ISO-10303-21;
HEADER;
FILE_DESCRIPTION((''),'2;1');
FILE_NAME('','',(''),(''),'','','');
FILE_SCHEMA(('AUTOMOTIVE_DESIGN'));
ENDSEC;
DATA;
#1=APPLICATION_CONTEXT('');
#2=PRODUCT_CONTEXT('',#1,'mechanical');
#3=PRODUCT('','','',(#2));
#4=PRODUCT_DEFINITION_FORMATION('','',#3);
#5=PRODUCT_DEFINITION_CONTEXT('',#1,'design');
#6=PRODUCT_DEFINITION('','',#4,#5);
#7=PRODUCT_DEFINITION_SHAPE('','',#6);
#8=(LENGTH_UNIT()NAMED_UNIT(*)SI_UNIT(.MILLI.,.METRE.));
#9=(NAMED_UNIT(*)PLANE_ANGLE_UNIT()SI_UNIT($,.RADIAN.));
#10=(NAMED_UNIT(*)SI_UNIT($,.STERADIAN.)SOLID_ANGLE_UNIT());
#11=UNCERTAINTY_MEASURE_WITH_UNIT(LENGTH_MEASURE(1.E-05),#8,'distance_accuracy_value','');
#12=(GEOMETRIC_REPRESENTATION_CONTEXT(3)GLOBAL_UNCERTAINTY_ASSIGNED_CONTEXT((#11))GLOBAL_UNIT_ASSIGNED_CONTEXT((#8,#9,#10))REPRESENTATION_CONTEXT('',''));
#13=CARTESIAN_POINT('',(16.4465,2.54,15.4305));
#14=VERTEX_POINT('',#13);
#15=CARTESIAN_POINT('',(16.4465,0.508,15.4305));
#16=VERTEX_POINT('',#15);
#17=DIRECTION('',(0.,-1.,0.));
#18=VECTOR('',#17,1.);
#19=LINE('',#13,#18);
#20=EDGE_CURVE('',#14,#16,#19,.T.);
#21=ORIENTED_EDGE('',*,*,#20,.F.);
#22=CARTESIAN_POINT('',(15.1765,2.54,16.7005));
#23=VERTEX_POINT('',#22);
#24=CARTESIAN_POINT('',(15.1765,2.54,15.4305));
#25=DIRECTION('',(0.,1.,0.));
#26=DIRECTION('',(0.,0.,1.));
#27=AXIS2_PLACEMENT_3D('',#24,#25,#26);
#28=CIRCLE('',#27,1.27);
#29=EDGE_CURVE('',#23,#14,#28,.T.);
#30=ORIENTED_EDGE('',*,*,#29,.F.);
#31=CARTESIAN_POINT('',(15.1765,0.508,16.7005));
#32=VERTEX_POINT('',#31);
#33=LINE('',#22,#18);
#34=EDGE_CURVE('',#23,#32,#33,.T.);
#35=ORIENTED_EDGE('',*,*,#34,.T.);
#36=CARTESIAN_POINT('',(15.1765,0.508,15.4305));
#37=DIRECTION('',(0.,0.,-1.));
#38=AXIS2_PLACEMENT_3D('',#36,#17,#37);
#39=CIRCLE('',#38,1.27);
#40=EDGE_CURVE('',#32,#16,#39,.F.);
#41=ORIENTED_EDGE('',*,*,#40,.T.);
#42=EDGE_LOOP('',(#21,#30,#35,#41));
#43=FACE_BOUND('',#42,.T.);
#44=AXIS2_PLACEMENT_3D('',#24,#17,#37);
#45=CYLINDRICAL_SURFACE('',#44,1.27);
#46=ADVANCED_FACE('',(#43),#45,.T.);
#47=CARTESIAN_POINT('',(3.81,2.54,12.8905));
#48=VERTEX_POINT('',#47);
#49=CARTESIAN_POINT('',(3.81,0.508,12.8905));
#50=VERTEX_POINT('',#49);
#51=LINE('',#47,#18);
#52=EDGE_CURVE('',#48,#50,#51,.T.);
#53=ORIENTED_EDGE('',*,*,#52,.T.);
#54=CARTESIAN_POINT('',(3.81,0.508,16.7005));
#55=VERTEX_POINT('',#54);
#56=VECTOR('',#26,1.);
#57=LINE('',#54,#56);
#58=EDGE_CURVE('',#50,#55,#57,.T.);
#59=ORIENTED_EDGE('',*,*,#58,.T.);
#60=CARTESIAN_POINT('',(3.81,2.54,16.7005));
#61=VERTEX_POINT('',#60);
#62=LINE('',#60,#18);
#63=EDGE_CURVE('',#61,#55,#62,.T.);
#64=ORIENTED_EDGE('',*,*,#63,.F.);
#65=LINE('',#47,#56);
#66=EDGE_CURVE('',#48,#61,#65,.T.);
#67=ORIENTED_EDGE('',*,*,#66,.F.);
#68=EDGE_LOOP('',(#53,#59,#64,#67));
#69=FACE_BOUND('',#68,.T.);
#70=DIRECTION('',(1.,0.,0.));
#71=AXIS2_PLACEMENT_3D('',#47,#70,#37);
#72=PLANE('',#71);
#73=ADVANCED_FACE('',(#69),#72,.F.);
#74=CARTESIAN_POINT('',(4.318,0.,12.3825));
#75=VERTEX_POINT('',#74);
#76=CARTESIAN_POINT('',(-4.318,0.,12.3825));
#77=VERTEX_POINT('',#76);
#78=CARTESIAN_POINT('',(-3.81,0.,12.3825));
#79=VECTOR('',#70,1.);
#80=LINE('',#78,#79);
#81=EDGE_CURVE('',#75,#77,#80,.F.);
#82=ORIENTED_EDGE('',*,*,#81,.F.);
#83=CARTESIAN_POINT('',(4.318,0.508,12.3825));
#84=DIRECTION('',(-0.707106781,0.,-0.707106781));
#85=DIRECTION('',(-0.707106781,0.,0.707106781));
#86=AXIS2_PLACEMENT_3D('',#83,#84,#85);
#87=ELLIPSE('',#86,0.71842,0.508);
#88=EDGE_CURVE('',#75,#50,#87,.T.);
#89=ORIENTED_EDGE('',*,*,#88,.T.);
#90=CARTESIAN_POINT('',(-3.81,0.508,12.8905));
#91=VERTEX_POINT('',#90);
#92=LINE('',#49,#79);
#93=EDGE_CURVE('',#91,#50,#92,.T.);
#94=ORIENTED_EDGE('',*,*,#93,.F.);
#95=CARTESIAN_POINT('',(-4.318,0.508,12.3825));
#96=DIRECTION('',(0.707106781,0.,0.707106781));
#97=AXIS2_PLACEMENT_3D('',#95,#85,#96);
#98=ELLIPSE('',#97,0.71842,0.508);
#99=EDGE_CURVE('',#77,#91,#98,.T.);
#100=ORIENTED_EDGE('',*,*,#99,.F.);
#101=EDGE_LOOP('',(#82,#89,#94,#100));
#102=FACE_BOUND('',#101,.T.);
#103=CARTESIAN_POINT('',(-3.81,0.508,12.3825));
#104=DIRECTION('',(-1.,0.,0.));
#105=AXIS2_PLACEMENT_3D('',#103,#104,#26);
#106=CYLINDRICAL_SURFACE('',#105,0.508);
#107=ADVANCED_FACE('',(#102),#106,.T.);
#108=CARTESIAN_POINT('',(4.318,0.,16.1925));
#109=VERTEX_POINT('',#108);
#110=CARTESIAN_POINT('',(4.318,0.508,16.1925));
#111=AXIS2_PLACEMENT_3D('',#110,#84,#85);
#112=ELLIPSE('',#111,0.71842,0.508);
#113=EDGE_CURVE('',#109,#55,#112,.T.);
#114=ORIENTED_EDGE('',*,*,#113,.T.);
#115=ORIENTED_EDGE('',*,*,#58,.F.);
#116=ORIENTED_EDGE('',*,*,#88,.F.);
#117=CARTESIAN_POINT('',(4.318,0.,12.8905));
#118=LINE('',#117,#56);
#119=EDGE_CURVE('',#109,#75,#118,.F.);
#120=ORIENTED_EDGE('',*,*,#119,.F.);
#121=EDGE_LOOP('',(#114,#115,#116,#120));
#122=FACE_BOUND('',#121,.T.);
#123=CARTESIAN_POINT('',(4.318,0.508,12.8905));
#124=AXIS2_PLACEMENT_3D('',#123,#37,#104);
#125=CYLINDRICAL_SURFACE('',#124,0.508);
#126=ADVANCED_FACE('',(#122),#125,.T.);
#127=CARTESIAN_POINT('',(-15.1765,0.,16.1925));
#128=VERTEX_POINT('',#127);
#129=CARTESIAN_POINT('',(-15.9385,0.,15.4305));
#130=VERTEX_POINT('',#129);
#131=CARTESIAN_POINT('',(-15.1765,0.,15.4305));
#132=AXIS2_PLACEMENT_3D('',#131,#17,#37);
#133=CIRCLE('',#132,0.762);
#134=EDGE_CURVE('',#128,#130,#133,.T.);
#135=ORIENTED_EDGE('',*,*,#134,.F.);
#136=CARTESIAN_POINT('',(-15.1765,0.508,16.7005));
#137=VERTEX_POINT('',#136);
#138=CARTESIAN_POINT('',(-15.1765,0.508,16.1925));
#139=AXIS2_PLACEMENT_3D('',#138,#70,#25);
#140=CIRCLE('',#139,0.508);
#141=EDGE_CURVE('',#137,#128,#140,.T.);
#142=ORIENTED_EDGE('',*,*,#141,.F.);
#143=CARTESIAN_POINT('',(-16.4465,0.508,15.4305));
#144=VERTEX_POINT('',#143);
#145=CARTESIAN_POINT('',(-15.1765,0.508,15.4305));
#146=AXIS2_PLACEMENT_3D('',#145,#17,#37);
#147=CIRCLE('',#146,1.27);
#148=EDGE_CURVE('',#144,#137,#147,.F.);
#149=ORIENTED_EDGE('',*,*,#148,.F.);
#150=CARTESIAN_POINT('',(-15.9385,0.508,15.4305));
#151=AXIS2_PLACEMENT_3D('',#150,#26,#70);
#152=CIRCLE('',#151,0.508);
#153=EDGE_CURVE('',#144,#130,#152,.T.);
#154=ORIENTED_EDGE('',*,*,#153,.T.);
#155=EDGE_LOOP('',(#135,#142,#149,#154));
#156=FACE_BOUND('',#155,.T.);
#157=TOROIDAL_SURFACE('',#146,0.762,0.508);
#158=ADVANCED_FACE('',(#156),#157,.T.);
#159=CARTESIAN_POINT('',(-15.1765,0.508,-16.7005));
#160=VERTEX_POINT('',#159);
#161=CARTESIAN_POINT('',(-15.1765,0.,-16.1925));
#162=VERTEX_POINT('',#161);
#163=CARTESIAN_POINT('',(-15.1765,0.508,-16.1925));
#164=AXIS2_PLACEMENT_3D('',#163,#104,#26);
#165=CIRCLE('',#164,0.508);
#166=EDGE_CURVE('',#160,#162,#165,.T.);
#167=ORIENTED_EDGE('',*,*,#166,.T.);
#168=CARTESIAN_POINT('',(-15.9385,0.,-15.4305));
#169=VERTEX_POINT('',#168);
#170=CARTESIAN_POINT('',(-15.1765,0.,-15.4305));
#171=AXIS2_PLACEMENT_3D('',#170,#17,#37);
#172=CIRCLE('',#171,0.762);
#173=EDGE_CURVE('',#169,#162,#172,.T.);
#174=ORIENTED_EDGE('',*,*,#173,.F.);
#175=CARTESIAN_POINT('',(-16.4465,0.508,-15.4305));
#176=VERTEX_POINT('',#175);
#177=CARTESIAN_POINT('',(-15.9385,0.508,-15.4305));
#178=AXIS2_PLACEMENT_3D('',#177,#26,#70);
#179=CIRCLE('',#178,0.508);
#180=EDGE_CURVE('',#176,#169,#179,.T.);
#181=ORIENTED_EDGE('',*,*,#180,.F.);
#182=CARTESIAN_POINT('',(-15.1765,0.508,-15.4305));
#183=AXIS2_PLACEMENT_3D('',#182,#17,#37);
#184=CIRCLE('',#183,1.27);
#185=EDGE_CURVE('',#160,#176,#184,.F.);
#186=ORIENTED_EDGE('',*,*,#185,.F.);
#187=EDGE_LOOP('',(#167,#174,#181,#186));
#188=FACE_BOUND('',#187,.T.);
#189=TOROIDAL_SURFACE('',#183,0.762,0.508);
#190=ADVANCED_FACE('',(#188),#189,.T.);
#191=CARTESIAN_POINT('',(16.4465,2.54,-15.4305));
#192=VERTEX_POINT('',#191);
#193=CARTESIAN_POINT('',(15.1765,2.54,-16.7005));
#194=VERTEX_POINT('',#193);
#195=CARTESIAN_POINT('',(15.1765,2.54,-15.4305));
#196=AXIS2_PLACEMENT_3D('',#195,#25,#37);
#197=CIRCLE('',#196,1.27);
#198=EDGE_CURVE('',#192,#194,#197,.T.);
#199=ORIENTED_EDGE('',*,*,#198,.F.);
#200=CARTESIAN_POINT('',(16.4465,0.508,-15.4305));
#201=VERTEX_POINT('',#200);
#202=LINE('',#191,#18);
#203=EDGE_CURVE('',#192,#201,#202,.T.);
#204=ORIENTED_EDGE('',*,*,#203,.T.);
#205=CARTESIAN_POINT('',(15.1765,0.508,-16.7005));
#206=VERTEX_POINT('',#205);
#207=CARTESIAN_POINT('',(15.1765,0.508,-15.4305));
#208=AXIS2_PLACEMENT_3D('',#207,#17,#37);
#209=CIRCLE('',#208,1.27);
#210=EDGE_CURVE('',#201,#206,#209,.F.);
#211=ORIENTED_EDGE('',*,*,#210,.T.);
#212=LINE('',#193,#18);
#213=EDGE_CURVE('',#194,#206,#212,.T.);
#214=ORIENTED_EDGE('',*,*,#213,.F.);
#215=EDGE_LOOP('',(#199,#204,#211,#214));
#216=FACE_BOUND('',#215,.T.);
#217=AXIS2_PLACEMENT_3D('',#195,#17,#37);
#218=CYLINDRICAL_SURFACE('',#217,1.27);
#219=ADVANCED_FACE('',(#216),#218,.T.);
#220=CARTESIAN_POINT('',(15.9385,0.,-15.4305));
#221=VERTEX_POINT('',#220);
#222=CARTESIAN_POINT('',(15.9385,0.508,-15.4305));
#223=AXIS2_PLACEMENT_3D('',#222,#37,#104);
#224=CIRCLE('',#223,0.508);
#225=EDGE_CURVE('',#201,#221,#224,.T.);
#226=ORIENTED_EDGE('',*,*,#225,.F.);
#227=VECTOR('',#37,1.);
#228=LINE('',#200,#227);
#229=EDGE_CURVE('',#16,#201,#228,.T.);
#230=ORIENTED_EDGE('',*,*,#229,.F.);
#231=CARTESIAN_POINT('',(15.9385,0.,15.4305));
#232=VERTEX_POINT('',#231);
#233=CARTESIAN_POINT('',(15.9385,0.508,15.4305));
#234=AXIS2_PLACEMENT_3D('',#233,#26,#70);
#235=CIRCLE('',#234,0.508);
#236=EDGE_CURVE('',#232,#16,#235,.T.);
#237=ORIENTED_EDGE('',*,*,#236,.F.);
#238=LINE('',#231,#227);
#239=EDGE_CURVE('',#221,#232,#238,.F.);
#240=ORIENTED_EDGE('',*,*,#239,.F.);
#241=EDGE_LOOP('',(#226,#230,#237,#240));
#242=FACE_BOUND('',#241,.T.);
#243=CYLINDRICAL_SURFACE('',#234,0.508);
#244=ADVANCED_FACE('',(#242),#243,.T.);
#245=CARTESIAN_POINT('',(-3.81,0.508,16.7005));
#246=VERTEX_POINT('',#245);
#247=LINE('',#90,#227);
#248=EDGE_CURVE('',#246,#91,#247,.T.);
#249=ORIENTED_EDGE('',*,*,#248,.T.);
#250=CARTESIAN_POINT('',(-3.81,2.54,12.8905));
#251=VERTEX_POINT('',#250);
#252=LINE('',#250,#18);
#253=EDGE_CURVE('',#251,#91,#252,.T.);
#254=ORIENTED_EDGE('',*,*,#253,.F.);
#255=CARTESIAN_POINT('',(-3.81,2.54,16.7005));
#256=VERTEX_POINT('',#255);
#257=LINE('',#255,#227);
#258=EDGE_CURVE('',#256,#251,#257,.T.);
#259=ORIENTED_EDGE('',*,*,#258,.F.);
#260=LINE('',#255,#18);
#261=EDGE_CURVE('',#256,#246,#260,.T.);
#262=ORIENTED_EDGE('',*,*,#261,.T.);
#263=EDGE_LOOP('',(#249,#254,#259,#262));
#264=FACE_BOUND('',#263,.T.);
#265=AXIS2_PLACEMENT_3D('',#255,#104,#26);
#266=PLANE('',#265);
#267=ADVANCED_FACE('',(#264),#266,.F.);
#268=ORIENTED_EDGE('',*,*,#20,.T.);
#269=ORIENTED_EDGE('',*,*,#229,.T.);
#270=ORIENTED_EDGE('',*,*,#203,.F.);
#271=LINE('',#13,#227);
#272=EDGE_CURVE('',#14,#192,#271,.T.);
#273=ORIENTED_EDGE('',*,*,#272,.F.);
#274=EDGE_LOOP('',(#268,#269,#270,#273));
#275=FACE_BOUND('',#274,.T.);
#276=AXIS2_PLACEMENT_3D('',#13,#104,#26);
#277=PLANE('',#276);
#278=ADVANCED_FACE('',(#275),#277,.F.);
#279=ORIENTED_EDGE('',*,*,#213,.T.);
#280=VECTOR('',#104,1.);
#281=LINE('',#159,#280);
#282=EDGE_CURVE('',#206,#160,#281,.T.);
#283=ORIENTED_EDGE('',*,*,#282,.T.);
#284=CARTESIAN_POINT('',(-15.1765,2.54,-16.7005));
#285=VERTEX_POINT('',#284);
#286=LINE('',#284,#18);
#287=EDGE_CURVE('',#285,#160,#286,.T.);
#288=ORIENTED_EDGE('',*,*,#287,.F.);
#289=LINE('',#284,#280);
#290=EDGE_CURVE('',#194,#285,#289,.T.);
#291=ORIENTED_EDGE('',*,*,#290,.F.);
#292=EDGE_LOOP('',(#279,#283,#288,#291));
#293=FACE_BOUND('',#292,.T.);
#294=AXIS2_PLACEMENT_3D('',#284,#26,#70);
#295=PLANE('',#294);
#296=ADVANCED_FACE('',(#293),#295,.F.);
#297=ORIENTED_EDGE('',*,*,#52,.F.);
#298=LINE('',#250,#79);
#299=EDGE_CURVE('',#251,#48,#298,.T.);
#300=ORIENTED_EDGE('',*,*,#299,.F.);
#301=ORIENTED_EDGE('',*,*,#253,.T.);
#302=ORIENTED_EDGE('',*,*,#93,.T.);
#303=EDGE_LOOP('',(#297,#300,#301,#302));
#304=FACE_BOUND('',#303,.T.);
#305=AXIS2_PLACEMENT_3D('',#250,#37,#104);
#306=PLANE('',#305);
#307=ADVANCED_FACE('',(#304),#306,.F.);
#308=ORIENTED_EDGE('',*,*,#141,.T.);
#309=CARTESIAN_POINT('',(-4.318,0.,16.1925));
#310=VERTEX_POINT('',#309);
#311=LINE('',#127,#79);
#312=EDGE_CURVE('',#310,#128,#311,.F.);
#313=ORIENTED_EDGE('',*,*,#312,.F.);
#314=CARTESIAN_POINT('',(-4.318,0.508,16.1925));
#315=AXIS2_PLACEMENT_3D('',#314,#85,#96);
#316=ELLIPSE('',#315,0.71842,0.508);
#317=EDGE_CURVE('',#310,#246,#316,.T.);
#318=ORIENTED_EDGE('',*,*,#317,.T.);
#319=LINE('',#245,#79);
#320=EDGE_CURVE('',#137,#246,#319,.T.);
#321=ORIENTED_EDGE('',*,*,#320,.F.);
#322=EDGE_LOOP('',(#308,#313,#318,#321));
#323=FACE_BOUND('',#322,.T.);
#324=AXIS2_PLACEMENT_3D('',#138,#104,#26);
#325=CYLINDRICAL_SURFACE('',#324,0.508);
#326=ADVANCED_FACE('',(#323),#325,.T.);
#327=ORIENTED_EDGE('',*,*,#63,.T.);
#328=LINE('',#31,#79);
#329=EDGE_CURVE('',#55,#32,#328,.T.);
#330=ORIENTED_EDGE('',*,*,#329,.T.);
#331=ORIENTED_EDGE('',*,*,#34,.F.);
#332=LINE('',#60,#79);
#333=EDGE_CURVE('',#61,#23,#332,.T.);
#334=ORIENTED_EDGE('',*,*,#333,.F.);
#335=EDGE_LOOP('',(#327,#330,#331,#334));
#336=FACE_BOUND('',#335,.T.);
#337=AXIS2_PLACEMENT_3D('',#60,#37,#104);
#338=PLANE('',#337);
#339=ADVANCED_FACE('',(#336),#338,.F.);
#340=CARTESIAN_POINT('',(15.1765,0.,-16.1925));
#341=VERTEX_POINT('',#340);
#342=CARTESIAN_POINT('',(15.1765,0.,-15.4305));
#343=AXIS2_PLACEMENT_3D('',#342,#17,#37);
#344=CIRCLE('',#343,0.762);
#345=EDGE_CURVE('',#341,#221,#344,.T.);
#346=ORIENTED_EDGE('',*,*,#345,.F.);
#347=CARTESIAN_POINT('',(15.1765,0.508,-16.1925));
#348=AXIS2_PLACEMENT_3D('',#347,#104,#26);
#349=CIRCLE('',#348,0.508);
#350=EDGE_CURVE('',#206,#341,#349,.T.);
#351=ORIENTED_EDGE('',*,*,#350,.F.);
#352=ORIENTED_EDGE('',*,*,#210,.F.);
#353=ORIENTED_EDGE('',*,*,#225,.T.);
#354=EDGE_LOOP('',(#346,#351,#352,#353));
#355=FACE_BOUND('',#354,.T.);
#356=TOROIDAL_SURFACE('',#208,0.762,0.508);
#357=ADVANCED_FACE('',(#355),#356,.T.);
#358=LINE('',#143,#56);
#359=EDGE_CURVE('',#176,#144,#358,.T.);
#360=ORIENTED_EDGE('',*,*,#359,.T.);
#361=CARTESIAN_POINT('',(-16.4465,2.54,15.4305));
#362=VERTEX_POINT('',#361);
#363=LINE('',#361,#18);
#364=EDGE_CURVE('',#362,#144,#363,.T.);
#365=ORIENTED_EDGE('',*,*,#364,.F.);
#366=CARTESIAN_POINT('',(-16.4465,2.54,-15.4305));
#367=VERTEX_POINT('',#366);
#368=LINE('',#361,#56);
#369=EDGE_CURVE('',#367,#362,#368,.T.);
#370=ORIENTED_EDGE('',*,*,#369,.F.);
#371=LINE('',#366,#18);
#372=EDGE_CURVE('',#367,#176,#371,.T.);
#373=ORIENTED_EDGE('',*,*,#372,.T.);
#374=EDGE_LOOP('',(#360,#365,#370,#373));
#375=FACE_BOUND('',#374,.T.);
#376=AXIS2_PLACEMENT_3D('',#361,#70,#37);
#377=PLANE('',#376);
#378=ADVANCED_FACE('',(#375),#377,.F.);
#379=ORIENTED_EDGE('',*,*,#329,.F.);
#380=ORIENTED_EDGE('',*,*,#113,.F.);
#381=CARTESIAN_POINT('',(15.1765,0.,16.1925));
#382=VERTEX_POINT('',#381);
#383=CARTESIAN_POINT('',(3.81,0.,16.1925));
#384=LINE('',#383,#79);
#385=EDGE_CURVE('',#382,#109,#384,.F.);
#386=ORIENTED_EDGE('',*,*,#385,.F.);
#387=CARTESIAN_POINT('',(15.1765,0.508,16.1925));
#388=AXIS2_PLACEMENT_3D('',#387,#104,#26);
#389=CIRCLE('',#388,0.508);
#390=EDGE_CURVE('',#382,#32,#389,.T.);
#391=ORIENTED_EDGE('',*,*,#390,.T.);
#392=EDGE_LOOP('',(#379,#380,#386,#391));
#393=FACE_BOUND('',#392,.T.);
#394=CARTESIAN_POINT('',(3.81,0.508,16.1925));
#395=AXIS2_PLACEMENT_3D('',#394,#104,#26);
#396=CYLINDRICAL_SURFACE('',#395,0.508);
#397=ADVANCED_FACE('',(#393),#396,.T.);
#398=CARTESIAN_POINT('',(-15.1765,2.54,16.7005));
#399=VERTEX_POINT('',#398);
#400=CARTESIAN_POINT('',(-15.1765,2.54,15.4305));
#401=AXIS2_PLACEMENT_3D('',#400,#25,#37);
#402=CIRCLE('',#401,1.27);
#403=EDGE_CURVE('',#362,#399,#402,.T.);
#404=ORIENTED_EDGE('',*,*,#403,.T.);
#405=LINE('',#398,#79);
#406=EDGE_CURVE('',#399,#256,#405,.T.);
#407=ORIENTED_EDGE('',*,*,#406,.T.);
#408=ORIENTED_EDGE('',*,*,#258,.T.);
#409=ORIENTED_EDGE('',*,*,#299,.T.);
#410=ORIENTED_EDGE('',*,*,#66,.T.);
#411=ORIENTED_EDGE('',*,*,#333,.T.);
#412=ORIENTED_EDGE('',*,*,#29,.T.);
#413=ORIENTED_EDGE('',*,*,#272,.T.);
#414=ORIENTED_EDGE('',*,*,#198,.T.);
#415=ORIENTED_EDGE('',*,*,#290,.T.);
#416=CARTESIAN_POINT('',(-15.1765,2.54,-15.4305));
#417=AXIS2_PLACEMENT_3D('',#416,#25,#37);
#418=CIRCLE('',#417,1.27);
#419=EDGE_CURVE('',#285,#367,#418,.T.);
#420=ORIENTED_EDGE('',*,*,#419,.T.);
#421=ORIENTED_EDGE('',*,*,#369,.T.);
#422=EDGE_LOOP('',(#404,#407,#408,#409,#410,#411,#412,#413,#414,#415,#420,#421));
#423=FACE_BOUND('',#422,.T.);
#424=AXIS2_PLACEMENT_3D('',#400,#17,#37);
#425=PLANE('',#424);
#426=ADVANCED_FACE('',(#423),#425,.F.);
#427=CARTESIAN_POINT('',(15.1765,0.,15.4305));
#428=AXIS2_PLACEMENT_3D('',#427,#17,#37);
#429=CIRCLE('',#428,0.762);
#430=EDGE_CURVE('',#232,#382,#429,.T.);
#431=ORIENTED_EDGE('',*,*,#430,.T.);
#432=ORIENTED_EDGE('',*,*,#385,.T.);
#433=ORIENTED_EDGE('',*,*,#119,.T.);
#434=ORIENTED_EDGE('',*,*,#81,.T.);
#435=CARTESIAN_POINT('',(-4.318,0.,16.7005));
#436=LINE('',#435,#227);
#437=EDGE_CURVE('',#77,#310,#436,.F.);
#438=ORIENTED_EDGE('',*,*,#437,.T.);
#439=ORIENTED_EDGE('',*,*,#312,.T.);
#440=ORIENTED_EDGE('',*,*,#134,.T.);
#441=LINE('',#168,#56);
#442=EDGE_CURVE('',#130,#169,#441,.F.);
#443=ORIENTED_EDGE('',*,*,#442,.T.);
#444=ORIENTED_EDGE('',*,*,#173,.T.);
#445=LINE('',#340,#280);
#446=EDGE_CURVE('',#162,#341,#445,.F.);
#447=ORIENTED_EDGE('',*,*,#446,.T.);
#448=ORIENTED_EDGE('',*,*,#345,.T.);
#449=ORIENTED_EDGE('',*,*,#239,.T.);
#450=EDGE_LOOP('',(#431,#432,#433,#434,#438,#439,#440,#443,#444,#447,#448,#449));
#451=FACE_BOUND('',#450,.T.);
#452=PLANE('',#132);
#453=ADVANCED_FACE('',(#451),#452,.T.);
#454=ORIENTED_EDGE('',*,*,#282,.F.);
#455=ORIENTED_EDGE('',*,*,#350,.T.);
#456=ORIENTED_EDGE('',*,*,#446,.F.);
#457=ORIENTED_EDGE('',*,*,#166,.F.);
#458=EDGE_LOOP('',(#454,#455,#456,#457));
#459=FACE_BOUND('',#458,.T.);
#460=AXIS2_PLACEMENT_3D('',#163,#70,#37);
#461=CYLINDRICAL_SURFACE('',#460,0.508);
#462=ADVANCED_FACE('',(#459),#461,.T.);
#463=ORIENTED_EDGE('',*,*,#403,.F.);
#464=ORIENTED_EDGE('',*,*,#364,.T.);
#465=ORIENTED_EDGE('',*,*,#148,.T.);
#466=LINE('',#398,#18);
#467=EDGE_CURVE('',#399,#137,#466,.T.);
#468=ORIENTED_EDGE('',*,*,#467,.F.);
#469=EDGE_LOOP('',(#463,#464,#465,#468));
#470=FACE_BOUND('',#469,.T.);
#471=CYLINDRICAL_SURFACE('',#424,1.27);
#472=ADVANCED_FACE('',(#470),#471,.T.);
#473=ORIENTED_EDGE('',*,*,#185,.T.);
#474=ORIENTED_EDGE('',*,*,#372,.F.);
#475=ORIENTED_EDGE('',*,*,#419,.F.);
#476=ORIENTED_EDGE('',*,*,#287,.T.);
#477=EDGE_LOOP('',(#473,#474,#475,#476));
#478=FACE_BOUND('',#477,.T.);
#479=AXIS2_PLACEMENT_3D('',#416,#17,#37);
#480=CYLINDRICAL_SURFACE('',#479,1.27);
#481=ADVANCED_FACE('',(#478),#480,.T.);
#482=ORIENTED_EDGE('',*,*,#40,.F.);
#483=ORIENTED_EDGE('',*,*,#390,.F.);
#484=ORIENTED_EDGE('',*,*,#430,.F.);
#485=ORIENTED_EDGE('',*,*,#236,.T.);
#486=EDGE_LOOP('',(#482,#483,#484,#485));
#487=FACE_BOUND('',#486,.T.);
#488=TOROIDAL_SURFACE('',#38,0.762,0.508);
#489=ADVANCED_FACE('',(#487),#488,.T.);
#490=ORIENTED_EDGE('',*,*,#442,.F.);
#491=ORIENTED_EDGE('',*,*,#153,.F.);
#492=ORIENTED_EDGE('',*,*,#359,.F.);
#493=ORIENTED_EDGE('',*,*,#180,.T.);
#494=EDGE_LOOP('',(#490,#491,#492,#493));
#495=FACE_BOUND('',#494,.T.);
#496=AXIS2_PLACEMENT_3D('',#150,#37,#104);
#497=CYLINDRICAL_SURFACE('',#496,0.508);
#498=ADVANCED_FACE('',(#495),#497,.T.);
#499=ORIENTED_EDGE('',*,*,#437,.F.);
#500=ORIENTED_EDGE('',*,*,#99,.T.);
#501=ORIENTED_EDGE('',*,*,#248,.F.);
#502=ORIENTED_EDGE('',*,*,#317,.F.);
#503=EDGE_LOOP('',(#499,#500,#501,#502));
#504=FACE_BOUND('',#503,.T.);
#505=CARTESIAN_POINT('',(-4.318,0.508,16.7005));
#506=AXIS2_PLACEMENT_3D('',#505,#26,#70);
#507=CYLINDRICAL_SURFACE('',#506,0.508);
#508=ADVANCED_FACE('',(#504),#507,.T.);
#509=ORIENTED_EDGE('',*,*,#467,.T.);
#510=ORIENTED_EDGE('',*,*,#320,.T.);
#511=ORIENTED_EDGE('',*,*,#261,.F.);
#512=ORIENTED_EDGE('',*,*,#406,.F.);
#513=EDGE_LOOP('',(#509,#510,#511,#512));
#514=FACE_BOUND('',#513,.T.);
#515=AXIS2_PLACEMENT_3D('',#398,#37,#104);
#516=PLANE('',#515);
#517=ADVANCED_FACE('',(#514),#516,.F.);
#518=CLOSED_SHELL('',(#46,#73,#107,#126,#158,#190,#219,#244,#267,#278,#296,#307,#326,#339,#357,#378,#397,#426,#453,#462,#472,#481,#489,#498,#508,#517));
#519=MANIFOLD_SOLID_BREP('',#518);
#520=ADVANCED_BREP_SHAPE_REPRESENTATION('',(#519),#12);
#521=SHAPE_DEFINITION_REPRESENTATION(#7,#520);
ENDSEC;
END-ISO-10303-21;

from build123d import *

# Parameters (mm, degrees)
BOSS_EXTRUDE1_DEPTH = 2.54
FILLET1_R           = 0.508


with BuildPart() as part:
    # Sketch1 → Boss-Extrude1 (new body)
    with BuildSketch(Plane(origin=(0, 0, 0), x_dir=(1, 0, 0), z_dir=(0, 1, 0))):
        with BuildLine():
            Line((-3.81, -16.7005), (-3.81, -12.8905))
            Line((-3.81, -12.8905), (3.81, -12.8905))
            Line((3.81, -12.8905), (3.81, -16.7005))
            Line((3.81, -16.7005), (15.1765, -16.7005))
            ThreePointArc((15.1765, -16.7005), (16.074525612, -16.328525612), (16.4465, -15.4305))
            Line((16.4465, -15.4305), (16.4465, 15.4305))
            ThreePointArc((16.4465, 15.4305), (16.074525612, 16.328525612), (15.1765, 16.7005))
            Line((15.1765, 16.7005), (-15.1765, 16.7005))
            ThreePointArc((-15.1765, 16.7005), (-16.074525612, 16.328525612), (-16.4465, 15.4305))
            Line((-16.4465, 15.4305), (-16.4465, -15.4305))
            ThreePointArc((-16.4465, -15.4305), (-16.074525612, -16.328525612), (-15.1765, -16.7005))
            Line((-15.1765, -16.7005), (-3.81, -16.7005))
        make_face()
    extrude(amount=BOSS_EXTRUDE1_DEPTH)

    # Fillet1
    fillet1_edges = [part.edges().sort_by_distance(p)[0] for p in [
        (-16.4465, 0, 0),
        (-16.074525612, 0, -16.328525612),
        (0, 0, -16.7005),
        (16.074525612, 0, -16.328525612),
        (16.4465, 0, 0),
        (16.074525612, 0, 16.328525612),
        (9.49325, 0, 16.7005),
        (3.81, 0, 14.7955),
        (0, 0, 12.8905),
        (-3.81, 0, 14.7955),
        (-9.49325, 0, 16.7005),
        (-16.074525612, 0, 16.328525612),
    ]]
    fillet(fillet1_edges, radius=FILLET1_R)


solid = part.part
